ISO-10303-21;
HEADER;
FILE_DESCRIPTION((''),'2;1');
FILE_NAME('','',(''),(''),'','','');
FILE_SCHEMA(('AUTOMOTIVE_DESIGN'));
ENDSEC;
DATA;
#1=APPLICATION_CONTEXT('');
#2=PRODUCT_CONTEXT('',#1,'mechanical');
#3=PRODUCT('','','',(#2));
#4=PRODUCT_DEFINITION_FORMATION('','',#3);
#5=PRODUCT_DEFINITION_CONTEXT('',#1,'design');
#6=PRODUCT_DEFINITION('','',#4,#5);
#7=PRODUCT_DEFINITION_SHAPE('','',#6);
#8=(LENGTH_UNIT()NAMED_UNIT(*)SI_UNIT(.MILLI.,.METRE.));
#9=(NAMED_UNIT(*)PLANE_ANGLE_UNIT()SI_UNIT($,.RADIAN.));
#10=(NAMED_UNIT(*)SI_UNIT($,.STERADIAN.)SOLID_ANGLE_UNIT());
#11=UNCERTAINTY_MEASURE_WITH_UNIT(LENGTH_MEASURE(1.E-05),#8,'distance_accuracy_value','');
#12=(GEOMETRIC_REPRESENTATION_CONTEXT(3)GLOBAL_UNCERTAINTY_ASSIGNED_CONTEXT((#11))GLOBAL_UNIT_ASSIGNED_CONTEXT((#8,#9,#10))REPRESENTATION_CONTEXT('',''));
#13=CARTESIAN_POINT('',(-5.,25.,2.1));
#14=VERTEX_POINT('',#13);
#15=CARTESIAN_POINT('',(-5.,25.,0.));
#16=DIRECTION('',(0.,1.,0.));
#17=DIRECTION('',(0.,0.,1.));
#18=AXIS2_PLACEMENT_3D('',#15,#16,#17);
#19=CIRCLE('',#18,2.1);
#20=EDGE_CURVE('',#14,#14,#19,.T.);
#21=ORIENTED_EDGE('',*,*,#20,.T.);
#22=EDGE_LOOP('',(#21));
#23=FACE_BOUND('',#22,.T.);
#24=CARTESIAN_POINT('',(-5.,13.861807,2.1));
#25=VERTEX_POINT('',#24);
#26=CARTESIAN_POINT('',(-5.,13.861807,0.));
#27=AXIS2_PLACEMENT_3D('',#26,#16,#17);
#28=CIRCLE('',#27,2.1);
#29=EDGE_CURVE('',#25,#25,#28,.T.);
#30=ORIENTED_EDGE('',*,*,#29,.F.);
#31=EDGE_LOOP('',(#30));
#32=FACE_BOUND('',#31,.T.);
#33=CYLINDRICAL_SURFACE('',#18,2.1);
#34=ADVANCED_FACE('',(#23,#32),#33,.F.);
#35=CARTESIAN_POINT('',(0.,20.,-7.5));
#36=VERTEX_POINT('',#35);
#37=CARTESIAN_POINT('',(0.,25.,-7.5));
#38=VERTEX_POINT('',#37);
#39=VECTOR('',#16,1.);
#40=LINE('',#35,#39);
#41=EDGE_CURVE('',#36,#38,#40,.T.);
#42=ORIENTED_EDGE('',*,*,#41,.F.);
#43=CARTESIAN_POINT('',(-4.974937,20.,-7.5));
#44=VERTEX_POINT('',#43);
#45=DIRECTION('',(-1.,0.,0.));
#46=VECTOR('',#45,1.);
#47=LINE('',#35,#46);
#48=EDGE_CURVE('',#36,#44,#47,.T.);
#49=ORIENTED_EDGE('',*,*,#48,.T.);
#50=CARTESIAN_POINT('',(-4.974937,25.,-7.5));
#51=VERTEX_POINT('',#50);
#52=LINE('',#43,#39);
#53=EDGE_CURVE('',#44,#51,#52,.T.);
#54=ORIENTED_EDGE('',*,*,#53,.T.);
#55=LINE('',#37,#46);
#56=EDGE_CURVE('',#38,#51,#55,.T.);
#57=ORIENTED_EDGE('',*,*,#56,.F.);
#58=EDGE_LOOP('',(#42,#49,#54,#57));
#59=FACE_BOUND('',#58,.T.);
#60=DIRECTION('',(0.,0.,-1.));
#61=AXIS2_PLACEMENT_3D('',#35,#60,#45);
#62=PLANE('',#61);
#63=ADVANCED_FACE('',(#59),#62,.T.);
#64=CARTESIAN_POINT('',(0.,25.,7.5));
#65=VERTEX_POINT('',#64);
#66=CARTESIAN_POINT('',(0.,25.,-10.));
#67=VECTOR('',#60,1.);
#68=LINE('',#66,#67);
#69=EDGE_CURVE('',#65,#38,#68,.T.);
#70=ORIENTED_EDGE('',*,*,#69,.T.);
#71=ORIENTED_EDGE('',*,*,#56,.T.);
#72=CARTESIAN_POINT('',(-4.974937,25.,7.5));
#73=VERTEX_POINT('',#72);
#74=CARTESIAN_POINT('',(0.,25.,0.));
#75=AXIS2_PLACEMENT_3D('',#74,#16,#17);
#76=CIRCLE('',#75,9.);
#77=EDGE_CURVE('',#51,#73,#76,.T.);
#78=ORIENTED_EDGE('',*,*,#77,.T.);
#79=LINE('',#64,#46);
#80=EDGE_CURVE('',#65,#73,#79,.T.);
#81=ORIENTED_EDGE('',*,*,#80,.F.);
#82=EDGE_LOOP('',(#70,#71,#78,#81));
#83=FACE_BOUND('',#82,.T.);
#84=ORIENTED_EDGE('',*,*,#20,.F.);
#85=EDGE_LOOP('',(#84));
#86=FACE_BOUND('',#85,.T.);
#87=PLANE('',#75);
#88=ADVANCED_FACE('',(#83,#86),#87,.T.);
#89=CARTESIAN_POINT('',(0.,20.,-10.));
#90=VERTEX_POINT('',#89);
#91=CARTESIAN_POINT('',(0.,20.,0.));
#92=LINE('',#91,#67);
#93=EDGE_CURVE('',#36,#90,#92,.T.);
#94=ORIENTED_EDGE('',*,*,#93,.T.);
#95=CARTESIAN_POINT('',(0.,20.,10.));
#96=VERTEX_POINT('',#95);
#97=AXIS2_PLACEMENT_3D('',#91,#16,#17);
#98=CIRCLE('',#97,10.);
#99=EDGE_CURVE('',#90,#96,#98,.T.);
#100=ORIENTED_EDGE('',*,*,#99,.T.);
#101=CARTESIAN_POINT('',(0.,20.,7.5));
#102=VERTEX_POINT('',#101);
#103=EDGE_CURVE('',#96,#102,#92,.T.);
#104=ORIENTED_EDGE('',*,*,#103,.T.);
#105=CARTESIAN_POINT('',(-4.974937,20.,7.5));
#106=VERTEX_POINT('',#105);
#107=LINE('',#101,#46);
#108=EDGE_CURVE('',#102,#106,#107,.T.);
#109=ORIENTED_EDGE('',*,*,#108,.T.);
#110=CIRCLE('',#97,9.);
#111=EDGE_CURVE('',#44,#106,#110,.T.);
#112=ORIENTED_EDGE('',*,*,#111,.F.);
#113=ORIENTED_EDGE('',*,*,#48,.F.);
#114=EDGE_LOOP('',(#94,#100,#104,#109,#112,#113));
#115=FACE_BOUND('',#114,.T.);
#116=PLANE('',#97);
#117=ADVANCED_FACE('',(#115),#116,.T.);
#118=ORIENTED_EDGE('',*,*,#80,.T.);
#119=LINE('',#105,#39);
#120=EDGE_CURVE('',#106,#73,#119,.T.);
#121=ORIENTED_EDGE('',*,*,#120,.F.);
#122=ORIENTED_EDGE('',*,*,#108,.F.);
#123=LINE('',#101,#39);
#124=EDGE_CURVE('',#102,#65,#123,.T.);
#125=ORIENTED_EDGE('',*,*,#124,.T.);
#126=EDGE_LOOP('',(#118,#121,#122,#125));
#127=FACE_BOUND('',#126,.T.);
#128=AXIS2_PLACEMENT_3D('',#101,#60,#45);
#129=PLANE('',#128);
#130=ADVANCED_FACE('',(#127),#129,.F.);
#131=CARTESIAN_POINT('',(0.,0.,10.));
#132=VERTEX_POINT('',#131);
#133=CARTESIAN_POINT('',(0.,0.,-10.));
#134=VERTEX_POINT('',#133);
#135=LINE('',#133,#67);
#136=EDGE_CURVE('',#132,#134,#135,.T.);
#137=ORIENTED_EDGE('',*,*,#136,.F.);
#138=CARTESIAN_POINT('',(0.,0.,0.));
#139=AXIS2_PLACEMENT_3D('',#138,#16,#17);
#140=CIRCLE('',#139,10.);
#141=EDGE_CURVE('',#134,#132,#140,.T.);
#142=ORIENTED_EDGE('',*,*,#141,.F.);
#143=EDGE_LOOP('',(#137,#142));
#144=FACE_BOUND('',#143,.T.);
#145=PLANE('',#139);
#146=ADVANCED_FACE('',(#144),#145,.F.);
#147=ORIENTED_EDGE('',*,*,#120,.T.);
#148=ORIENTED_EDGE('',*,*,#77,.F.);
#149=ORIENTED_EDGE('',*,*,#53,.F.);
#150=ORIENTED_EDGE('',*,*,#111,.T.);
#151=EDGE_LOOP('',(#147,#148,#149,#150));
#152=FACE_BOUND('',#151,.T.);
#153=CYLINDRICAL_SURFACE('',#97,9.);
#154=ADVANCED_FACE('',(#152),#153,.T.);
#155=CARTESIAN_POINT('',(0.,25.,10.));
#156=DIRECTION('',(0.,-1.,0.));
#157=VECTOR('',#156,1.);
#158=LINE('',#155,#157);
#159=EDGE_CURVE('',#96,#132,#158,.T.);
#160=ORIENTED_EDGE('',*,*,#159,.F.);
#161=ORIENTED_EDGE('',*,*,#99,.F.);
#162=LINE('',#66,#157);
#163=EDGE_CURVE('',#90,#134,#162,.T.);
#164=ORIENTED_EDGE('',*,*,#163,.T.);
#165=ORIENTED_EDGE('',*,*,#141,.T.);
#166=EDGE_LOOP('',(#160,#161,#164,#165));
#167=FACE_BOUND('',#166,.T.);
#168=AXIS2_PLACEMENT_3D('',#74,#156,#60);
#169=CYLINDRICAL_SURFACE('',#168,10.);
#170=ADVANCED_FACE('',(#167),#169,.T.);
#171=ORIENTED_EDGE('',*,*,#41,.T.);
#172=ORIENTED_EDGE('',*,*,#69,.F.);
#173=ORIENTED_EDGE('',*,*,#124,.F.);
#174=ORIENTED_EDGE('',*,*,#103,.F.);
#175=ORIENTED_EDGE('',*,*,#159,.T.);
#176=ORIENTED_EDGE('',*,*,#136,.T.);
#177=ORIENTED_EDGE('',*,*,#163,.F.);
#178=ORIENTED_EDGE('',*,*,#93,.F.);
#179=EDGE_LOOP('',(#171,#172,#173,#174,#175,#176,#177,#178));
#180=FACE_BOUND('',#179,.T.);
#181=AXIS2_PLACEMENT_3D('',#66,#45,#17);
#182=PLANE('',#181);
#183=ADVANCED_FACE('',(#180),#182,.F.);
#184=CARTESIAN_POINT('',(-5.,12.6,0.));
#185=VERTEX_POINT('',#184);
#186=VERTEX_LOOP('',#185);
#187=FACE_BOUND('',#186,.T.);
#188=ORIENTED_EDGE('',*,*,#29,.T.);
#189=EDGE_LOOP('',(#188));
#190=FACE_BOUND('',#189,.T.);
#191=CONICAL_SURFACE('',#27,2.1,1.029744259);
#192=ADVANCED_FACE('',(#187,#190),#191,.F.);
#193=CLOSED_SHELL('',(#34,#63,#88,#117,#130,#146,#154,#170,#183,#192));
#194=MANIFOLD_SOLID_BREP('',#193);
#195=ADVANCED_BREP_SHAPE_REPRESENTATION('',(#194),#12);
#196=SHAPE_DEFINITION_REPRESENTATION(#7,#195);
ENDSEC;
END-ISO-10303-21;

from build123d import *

# Parameters (mm, degrees)
BOSS_EXTRUDE1_DEPTH   = 25
CUT_EXTRUDE1_DEPTH    = 5
M5_TAPPED_HOLE1_D     = 4.2
M5_TAPPED_HOLE1_DEPTH = 11.1381927
M5_TAPPED_HOLE1_TIP   = 1.2618073


with BuildPart() as part:
    # Sketch1 → Boss-Extrude1 (new body)
    with BuildSketch(Plane(origin=(0, 0, 0), x_dir=(1, 0, 0), z_dir=(0, 1, 0))):
        with BuildLine():
            Line((0, 10), (0, -10))
            ThreePointArc((0, -10), (-10, 0), (0, 10))
        make_face()
    extrude(amount=BOSS_EXTRUDE1_DEPTH)

    # Sketch18 → Cut-Extrude1 (cut)
    with BuildSketch(Plane(origin=(0, 25, 0), x_dir=(1, 0, 0), z_dir=(0, 1, 0))):
        with BuildLine():
            Line((0, 7.5), (0, 10))
            ThreePointArc((0, 10), (-10, 0), (0, -10))
            Line((0, -10), (0, -7.5))
            Line((0, -7.5), (-4.974937186, -7.5))
            ThreePointArc((-4.974937186, -7.5), (-9, 0), (-4.974937186, 7.5))
            Line((-4.974937186, 7.5), (0, 7.5))
        make_face()
    extrude(amount=-CUT_EXTRUDE1_DEPTH, mode=Mode.SUBTRACT)

    # M5 Tapped Hole1
    with Locations(Plane(origin=(0, 25, 0), x_dir=(1, 0, 0), z_dir=(0, 1, 0))):
        with Locations((-5, 0)):
            Hole(M5_TAPPED_HOLE1_D / 2, depth=M5_TAPPED_HOLE1_DEPTH)
            with Locations((0, 0, -(M5_TAPPED_HOLE1_DEPTH + M5_TAPPED_HOLE1_TIP / 2))):  # 118° drill point
                Cone(0, M5_TAPPED_HOLE1_D / 2, M5_TAPPED_HOLE1_TIP, mode=Mode.SUBTRACT)


solid = part.part
